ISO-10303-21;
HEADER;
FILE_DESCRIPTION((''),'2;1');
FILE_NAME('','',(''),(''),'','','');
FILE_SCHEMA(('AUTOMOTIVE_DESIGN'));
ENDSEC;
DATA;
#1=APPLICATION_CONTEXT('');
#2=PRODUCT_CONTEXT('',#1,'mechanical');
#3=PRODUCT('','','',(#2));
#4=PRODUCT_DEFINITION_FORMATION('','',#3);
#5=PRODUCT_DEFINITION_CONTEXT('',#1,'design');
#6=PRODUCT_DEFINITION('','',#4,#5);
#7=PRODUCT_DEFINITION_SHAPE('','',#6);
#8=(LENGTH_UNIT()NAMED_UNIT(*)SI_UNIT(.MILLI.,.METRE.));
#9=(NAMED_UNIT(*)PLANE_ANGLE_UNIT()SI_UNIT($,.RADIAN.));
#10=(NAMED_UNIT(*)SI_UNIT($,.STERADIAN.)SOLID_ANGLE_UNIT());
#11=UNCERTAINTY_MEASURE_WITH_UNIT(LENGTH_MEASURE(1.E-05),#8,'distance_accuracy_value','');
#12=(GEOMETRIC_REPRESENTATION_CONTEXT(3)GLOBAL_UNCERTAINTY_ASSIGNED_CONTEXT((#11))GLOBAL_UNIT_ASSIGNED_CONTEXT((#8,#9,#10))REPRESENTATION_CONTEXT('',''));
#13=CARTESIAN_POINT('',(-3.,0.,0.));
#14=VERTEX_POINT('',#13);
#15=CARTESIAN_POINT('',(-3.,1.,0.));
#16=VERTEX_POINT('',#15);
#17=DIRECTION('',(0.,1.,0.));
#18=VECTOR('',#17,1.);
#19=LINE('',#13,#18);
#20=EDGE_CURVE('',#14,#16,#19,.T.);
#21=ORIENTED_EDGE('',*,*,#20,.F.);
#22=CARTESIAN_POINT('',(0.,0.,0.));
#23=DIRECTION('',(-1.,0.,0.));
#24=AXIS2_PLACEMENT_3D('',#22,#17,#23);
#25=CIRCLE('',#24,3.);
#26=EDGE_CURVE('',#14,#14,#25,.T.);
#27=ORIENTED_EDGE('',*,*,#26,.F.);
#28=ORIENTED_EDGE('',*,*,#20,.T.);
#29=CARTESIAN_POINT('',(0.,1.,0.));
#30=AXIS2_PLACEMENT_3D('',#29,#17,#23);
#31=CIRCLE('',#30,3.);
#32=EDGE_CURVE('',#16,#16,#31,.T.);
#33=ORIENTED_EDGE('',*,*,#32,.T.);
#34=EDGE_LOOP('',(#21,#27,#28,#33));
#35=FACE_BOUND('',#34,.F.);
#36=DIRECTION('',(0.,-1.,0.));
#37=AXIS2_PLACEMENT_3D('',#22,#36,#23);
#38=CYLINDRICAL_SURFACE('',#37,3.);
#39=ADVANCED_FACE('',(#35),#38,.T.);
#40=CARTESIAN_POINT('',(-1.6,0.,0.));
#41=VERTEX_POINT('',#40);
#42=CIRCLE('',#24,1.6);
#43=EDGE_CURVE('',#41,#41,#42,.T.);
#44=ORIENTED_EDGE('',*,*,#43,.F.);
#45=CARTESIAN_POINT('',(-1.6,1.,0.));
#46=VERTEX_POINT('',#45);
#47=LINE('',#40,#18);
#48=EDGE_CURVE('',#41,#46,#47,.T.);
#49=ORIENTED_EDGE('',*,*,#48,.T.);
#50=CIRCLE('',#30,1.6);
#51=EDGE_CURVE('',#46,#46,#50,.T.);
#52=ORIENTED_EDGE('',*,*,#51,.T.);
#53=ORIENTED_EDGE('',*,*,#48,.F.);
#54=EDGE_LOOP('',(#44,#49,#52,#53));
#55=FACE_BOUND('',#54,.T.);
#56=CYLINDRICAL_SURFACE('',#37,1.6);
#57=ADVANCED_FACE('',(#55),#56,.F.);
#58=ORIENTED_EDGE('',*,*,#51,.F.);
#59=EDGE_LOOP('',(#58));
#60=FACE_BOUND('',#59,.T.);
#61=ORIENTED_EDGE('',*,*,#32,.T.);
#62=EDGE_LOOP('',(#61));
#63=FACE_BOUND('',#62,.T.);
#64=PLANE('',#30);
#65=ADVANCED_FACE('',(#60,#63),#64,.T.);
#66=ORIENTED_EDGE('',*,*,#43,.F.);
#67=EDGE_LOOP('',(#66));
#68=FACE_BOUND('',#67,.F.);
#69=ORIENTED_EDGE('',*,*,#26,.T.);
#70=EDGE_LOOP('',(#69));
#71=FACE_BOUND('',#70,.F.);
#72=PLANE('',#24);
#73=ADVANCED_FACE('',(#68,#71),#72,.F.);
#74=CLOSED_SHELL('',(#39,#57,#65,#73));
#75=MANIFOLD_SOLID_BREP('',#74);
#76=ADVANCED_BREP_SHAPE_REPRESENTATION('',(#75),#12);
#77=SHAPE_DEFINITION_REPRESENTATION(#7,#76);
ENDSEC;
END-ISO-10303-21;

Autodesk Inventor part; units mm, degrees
ref_plane "YZ Plane" through (0, 0, 0) normal (1, 0, 0) x (0, 1, 0)
ref_plane "XZ Plane" through (0, 0, 0) normal (0, 1, 0) x (-1, 0, 0)
ref_plane "XY Plane" through (0, 0, 0) normal (0, 0, 1) x (1, 0, 0)
sketch "Sketch1" plane through (0, 0, 0) normal (0, 1, 0) x (-1, 0, 0)
  circle A0 centre (0, 0) radius 1.6
  circle A1 centre (0, 0) radius 3
  dimension "d0" = 3.2
  dimension "d1" = 6
extrude "Extrusion1" add sketch "Sketch1" along normal blind 1
properties part number "3mm ID x 4mm OD x 2mm Length Spacer"
